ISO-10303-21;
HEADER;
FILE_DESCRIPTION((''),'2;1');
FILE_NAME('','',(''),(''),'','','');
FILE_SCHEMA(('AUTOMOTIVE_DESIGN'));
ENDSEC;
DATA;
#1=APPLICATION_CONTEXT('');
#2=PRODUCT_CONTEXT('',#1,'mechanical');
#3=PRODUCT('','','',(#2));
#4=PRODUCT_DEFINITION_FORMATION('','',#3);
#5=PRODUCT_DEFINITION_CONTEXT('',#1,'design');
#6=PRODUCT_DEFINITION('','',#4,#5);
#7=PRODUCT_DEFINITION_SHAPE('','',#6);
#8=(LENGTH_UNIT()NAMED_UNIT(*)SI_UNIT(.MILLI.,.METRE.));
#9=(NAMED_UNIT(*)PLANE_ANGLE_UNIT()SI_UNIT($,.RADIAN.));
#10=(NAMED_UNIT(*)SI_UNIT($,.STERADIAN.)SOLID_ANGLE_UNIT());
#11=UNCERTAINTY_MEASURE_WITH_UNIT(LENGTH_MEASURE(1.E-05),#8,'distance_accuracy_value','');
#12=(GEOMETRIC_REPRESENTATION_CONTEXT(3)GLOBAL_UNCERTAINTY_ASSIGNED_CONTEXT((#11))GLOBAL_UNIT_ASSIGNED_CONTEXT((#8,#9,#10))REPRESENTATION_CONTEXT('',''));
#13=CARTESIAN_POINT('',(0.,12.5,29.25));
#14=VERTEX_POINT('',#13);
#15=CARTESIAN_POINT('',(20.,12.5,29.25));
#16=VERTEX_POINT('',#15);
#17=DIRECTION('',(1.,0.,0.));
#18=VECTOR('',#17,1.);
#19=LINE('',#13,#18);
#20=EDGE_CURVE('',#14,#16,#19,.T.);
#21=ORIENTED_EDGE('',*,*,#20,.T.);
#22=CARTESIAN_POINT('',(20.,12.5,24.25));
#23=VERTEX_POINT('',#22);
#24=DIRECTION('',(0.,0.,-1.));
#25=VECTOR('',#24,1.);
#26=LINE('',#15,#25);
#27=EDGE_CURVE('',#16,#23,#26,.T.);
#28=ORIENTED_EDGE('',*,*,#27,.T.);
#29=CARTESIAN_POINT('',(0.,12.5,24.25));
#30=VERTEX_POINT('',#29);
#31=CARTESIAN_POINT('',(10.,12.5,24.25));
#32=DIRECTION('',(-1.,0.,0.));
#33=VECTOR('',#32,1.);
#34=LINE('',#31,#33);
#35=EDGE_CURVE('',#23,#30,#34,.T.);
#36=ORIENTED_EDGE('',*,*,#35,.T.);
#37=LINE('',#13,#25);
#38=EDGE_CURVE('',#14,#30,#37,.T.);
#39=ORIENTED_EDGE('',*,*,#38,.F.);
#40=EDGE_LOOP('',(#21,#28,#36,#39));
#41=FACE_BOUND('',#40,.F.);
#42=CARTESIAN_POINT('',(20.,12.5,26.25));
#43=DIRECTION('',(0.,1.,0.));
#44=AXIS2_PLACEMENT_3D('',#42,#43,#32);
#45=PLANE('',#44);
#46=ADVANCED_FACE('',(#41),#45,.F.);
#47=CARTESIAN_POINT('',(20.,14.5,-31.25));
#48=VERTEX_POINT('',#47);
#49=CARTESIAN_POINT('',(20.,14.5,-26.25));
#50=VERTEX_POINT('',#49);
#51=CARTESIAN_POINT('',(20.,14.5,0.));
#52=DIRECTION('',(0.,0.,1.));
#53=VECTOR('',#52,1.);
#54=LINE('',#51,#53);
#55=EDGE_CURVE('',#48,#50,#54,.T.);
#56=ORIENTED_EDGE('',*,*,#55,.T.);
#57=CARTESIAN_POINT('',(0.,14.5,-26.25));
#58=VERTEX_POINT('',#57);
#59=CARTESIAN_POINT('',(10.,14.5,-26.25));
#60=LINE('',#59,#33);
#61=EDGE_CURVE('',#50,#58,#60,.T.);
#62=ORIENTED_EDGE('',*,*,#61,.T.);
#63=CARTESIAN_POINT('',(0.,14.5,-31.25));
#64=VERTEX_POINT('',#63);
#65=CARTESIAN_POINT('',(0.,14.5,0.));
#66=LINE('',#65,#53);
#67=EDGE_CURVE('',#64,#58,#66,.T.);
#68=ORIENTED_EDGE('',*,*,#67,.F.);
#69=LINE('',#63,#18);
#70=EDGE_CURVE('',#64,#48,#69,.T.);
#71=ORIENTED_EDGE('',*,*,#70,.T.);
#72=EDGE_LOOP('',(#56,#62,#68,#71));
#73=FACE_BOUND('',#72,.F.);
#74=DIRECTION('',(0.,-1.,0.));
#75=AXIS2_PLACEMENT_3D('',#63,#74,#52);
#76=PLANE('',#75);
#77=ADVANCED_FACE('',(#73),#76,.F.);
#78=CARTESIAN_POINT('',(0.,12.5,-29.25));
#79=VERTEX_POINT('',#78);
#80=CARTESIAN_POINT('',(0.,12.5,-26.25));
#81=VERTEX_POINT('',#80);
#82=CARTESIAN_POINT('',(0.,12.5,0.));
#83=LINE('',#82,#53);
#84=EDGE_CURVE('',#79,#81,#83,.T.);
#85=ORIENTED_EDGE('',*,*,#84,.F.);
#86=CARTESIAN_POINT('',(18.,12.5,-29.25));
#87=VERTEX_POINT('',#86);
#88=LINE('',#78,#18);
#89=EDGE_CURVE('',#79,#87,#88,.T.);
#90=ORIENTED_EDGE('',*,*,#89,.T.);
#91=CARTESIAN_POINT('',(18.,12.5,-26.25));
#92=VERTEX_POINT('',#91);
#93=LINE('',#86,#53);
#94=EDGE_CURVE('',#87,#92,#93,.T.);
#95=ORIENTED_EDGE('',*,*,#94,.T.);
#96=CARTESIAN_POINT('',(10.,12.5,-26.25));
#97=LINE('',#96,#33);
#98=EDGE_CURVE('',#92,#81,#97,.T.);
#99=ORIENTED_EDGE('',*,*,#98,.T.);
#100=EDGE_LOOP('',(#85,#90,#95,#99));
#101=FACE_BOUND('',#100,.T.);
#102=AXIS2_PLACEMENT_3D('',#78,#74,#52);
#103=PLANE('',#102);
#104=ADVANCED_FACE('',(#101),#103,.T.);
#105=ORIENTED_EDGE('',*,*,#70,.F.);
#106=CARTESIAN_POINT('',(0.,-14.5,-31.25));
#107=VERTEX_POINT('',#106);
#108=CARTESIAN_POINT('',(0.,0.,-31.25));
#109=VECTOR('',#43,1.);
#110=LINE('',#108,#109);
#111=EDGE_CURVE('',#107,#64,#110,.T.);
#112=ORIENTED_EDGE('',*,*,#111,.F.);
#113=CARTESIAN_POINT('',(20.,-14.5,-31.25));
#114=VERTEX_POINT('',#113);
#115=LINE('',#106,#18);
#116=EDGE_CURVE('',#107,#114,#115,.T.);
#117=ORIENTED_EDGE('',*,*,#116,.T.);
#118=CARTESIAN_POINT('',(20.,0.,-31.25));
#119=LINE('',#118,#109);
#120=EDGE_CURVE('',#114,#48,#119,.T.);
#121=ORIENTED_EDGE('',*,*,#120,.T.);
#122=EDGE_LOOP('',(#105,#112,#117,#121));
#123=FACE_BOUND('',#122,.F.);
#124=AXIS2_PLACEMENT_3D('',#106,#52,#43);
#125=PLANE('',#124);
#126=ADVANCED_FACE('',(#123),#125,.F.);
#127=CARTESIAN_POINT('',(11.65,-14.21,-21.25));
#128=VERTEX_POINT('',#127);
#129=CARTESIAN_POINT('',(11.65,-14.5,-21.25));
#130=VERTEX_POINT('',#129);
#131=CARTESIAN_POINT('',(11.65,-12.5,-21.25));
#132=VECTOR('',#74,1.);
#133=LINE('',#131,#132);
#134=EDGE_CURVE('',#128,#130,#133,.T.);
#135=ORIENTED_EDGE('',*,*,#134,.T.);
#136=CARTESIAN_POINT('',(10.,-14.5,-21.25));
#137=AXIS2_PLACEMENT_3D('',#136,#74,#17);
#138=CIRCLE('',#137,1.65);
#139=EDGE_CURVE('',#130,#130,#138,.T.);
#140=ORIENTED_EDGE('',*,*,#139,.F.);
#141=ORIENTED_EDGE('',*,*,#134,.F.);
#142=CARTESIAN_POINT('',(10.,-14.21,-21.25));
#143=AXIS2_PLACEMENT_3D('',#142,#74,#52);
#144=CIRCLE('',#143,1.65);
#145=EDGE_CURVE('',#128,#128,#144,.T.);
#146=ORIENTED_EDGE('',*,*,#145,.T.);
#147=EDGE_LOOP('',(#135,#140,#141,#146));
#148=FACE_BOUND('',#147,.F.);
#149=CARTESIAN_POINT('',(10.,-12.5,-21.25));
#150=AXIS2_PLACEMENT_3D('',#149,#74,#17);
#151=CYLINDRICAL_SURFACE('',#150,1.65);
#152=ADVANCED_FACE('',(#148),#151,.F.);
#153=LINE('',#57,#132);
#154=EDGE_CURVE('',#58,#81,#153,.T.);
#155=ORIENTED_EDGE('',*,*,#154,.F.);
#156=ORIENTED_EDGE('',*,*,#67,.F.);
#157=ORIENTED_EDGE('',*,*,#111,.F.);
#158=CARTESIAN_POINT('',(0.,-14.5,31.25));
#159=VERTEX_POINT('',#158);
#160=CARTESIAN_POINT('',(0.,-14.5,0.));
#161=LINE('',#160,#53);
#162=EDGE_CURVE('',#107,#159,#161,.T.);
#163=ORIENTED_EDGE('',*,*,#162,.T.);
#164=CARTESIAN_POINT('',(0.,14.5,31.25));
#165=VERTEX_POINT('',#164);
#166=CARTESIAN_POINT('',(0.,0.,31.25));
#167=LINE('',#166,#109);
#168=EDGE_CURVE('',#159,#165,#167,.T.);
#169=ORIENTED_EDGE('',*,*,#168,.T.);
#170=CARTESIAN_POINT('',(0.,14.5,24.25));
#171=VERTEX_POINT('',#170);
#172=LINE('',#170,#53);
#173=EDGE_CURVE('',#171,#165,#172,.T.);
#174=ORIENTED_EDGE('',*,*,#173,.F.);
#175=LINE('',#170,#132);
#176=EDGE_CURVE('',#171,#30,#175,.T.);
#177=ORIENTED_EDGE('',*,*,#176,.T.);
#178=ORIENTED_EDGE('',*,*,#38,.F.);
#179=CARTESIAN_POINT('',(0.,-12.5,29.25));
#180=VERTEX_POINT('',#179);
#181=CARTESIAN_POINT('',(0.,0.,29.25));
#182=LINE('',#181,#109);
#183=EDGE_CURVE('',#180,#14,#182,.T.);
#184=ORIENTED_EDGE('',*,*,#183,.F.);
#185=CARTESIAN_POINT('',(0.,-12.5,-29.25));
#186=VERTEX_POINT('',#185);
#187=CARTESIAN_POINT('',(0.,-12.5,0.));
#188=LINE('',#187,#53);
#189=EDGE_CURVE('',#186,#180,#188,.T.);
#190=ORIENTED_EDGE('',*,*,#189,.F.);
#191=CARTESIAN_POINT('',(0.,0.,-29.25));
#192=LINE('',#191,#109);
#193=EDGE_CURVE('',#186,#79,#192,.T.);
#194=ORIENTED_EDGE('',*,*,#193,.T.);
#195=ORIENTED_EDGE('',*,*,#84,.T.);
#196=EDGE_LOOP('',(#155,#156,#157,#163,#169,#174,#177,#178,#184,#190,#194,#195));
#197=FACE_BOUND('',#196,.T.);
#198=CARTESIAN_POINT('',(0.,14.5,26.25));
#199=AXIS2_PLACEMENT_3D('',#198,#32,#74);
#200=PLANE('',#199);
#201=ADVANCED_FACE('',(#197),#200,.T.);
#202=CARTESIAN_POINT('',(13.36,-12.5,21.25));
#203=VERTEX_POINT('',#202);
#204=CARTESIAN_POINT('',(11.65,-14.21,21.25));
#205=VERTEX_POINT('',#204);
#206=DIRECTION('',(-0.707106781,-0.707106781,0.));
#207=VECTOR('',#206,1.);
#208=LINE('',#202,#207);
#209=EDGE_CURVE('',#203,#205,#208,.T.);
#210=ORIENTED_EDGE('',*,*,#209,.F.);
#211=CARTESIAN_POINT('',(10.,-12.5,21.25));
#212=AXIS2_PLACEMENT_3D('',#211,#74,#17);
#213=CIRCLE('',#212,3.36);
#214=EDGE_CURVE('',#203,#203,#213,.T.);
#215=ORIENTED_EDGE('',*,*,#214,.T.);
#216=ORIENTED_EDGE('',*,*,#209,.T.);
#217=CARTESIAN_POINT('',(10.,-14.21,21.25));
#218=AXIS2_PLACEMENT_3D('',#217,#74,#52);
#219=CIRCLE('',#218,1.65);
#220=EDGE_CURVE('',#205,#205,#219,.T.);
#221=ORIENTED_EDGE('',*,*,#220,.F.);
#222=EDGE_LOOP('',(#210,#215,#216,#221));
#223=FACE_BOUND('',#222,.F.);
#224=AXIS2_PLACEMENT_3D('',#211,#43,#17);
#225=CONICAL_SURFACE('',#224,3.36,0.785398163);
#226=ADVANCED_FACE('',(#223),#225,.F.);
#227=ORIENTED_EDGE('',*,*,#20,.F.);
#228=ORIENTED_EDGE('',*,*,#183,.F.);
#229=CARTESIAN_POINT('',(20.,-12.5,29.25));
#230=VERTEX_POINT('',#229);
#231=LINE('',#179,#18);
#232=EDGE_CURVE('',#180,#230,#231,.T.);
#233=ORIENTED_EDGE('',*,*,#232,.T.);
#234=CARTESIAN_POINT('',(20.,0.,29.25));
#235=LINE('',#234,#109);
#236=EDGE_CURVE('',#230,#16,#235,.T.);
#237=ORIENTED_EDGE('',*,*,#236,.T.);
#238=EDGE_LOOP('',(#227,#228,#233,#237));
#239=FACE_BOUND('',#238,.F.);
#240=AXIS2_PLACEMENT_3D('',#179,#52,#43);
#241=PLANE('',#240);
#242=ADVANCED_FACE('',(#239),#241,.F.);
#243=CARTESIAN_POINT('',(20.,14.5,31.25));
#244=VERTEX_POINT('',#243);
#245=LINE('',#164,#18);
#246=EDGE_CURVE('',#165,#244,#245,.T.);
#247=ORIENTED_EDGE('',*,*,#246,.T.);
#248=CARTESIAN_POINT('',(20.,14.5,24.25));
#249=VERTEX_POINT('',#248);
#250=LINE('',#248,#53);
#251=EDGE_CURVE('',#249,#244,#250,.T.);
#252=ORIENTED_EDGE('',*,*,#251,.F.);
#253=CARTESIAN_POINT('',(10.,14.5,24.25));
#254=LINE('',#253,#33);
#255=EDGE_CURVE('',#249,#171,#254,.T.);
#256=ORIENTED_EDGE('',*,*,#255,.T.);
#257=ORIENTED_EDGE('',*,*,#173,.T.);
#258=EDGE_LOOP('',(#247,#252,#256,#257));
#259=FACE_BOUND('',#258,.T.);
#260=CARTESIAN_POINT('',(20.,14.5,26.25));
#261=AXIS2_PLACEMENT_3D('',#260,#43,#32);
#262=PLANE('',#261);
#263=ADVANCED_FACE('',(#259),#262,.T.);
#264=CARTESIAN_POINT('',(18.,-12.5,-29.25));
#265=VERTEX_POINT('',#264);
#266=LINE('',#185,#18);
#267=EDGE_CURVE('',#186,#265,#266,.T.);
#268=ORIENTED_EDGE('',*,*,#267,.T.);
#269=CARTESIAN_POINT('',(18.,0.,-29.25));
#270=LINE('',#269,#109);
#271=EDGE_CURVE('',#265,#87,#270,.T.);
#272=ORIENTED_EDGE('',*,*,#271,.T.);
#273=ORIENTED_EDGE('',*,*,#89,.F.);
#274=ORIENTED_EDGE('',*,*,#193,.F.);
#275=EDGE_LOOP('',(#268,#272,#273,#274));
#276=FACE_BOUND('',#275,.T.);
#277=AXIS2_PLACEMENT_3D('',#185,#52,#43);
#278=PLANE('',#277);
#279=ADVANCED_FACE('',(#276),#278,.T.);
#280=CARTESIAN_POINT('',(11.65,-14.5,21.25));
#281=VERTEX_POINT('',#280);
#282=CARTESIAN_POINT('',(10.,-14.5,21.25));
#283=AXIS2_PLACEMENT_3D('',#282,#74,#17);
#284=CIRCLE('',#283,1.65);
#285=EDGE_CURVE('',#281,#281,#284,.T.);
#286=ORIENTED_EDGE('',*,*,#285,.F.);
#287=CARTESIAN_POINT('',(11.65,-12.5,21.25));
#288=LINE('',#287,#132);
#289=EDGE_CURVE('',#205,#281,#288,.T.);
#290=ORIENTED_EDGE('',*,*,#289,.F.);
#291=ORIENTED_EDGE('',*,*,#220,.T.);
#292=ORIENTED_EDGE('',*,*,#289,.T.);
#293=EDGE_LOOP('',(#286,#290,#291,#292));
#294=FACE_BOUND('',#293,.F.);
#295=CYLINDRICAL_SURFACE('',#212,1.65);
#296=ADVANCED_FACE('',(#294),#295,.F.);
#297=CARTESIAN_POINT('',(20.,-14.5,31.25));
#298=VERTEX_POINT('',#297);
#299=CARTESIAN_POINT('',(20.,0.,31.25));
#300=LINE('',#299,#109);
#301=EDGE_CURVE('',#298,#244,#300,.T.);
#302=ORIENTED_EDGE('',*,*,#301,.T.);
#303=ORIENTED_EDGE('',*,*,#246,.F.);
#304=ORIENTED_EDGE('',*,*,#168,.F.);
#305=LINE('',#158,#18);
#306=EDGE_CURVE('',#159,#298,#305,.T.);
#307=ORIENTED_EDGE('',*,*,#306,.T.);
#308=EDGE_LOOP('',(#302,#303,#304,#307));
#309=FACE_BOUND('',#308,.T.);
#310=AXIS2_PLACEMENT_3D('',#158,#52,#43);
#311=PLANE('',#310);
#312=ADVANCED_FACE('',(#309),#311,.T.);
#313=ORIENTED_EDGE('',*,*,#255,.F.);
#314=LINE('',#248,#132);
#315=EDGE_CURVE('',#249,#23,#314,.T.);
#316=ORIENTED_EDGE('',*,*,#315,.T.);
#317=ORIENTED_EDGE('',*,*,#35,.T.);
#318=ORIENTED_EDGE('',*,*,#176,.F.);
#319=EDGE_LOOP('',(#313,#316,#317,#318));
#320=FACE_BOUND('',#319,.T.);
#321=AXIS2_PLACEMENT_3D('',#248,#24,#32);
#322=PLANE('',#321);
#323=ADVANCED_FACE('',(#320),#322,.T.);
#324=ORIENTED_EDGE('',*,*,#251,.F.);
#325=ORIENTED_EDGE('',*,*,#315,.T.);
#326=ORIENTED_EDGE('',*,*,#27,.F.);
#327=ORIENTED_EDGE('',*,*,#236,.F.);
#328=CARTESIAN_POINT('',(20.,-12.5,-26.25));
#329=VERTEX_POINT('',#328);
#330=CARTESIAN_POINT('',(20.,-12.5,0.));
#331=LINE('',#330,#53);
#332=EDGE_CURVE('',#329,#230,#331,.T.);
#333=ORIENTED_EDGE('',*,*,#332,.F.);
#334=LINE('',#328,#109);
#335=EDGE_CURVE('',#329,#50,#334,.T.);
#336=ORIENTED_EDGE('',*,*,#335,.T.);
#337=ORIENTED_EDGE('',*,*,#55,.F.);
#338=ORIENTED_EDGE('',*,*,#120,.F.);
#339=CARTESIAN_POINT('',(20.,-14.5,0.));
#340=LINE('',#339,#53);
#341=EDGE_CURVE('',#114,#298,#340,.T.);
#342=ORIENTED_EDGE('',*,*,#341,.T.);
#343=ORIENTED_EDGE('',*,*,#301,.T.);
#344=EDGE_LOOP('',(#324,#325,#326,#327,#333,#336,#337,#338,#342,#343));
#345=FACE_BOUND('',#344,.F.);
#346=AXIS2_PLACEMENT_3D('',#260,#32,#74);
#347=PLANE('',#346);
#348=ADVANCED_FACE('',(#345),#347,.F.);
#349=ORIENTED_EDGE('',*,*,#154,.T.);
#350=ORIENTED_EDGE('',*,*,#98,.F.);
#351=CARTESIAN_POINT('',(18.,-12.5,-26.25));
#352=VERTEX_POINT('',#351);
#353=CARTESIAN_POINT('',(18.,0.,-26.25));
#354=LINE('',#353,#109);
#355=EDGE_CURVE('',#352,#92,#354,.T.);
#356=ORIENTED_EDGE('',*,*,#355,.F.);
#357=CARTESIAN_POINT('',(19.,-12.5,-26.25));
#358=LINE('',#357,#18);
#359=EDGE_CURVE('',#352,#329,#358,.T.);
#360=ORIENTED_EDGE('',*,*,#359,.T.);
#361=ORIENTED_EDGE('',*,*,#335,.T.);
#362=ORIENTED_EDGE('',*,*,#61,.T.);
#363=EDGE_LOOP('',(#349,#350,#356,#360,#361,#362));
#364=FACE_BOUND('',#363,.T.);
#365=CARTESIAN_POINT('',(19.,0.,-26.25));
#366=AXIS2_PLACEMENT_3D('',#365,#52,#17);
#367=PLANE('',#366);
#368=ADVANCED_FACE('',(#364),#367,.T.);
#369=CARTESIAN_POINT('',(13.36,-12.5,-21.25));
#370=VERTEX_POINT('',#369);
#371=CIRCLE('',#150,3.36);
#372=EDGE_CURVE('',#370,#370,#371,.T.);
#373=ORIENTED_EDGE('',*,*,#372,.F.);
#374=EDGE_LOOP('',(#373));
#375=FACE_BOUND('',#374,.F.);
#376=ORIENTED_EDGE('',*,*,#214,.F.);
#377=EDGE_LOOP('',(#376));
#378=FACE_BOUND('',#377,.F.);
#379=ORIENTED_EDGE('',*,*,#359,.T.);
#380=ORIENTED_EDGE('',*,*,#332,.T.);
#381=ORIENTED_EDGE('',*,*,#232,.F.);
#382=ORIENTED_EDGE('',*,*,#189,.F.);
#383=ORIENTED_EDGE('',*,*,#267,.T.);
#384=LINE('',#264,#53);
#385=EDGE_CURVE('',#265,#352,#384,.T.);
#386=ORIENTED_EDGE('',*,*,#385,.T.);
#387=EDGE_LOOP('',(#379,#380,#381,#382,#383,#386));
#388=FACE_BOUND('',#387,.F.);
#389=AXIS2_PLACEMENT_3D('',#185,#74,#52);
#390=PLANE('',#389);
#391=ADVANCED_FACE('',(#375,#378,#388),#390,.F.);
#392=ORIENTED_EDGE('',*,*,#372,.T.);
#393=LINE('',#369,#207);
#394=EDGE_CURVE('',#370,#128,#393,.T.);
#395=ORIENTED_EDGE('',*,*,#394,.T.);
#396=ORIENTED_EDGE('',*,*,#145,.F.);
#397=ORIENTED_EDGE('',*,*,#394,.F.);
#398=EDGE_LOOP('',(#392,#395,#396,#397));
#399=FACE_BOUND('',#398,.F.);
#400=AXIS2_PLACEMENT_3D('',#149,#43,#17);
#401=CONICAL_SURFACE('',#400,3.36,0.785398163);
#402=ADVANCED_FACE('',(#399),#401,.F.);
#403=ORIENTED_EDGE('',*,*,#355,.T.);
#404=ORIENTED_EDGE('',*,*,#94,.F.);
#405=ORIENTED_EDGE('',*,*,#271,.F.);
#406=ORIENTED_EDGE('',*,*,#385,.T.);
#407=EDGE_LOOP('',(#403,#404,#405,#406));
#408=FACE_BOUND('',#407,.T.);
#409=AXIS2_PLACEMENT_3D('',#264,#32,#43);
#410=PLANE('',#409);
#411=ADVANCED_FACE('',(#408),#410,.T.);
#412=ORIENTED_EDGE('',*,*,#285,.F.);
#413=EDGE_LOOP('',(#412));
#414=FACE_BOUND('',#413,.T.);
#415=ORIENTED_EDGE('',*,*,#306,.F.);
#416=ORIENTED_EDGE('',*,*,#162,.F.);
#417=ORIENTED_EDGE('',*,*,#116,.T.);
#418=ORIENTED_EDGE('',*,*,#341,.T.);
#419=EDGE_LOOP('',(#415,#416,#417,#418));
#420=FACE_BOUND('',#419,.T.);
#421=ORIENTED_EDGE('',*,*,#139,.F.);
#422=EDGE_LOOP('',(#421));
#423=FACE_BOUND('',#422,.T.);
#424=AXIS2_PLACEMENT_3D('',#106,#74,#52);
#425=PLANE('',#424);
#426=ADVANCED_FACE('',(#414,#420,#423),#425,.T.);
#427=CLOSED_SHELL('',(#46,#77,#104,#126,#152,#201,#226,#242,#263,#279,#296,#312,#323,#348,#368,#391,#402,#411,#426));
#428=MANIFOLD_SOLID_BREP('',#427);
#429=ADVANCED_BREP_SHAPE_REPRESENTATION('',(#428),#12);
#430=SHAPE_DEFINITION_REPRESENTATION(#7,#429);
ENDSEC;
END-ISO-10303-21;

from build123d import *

# Parameters (mm, degrees)
F0_W           = 29
F0_H           = 62.5
F0_W_2         = 25
F0_H_2         = 58.5
F1_DEPTH       = 20
F2_W           = 20
F2_H           = 52.5
F3_DEPTH       = 2
F5_D           = 3.3
F5_CSINK_D     = 6.72
F5_CSINK_ANGLE = 90
F6_W           = 2
F6_H           = 25
F7_DEPTH       = 3
F8_DEPTH       = 2


with BuildPart() as f1:
    # F0 (on Right) → F1 (new body)
    with BuildSketch(Plane.YZ):
        Rectangle(F0_W, F0_H)
        Rectangle(F0_W_2, F0_H_2, mode=Mode.SUBTRACT)
    extrude(amount=F1_DEPTH)

    # F2 (on face) → F3 (cut)
    with BuildSketch(Plane(origin=(0, 14.5, 0), x_dir=(-1, 0, 0), z_dir=(0, 1, 0))):
        with Locations((-10, 0)):
            Rectangle(F2_W, F2_H)
    extrude(amount=-F3_DEPTH, mode=Mode.SUBTRACT)

    # F5 (through all)
    with Locations(Plane(origin=(0, -12.5, 0), x_dir=(-1, 0, 0), z_dir=(0, 1, 0))):
        with Locations((-10, 21.25), (-10, -21.25)):
            CounterSinkHole(F5_D / 2, F5_CSINK_D / 2, counter_sink_angle=F5_CSINK_ANGLE)

    # F6 (on face) → F7 (join, through all)
    with BuildSketch(Plane.XY.offset(-29.25)):
        with Locations((19, 0)):
            Rectangle(F6_W, F6_H)
    extrude(amount=F7_DEPTH)

    # F8 (add): a face of the model
    f8_faces = [f1.faces().sort_by_distance(p)[0] for p in [
        (10, 13.5, 26.25),
    ]]
    extrude(f8_faces, amount=F8_DEPTH)


solid = f1.part
